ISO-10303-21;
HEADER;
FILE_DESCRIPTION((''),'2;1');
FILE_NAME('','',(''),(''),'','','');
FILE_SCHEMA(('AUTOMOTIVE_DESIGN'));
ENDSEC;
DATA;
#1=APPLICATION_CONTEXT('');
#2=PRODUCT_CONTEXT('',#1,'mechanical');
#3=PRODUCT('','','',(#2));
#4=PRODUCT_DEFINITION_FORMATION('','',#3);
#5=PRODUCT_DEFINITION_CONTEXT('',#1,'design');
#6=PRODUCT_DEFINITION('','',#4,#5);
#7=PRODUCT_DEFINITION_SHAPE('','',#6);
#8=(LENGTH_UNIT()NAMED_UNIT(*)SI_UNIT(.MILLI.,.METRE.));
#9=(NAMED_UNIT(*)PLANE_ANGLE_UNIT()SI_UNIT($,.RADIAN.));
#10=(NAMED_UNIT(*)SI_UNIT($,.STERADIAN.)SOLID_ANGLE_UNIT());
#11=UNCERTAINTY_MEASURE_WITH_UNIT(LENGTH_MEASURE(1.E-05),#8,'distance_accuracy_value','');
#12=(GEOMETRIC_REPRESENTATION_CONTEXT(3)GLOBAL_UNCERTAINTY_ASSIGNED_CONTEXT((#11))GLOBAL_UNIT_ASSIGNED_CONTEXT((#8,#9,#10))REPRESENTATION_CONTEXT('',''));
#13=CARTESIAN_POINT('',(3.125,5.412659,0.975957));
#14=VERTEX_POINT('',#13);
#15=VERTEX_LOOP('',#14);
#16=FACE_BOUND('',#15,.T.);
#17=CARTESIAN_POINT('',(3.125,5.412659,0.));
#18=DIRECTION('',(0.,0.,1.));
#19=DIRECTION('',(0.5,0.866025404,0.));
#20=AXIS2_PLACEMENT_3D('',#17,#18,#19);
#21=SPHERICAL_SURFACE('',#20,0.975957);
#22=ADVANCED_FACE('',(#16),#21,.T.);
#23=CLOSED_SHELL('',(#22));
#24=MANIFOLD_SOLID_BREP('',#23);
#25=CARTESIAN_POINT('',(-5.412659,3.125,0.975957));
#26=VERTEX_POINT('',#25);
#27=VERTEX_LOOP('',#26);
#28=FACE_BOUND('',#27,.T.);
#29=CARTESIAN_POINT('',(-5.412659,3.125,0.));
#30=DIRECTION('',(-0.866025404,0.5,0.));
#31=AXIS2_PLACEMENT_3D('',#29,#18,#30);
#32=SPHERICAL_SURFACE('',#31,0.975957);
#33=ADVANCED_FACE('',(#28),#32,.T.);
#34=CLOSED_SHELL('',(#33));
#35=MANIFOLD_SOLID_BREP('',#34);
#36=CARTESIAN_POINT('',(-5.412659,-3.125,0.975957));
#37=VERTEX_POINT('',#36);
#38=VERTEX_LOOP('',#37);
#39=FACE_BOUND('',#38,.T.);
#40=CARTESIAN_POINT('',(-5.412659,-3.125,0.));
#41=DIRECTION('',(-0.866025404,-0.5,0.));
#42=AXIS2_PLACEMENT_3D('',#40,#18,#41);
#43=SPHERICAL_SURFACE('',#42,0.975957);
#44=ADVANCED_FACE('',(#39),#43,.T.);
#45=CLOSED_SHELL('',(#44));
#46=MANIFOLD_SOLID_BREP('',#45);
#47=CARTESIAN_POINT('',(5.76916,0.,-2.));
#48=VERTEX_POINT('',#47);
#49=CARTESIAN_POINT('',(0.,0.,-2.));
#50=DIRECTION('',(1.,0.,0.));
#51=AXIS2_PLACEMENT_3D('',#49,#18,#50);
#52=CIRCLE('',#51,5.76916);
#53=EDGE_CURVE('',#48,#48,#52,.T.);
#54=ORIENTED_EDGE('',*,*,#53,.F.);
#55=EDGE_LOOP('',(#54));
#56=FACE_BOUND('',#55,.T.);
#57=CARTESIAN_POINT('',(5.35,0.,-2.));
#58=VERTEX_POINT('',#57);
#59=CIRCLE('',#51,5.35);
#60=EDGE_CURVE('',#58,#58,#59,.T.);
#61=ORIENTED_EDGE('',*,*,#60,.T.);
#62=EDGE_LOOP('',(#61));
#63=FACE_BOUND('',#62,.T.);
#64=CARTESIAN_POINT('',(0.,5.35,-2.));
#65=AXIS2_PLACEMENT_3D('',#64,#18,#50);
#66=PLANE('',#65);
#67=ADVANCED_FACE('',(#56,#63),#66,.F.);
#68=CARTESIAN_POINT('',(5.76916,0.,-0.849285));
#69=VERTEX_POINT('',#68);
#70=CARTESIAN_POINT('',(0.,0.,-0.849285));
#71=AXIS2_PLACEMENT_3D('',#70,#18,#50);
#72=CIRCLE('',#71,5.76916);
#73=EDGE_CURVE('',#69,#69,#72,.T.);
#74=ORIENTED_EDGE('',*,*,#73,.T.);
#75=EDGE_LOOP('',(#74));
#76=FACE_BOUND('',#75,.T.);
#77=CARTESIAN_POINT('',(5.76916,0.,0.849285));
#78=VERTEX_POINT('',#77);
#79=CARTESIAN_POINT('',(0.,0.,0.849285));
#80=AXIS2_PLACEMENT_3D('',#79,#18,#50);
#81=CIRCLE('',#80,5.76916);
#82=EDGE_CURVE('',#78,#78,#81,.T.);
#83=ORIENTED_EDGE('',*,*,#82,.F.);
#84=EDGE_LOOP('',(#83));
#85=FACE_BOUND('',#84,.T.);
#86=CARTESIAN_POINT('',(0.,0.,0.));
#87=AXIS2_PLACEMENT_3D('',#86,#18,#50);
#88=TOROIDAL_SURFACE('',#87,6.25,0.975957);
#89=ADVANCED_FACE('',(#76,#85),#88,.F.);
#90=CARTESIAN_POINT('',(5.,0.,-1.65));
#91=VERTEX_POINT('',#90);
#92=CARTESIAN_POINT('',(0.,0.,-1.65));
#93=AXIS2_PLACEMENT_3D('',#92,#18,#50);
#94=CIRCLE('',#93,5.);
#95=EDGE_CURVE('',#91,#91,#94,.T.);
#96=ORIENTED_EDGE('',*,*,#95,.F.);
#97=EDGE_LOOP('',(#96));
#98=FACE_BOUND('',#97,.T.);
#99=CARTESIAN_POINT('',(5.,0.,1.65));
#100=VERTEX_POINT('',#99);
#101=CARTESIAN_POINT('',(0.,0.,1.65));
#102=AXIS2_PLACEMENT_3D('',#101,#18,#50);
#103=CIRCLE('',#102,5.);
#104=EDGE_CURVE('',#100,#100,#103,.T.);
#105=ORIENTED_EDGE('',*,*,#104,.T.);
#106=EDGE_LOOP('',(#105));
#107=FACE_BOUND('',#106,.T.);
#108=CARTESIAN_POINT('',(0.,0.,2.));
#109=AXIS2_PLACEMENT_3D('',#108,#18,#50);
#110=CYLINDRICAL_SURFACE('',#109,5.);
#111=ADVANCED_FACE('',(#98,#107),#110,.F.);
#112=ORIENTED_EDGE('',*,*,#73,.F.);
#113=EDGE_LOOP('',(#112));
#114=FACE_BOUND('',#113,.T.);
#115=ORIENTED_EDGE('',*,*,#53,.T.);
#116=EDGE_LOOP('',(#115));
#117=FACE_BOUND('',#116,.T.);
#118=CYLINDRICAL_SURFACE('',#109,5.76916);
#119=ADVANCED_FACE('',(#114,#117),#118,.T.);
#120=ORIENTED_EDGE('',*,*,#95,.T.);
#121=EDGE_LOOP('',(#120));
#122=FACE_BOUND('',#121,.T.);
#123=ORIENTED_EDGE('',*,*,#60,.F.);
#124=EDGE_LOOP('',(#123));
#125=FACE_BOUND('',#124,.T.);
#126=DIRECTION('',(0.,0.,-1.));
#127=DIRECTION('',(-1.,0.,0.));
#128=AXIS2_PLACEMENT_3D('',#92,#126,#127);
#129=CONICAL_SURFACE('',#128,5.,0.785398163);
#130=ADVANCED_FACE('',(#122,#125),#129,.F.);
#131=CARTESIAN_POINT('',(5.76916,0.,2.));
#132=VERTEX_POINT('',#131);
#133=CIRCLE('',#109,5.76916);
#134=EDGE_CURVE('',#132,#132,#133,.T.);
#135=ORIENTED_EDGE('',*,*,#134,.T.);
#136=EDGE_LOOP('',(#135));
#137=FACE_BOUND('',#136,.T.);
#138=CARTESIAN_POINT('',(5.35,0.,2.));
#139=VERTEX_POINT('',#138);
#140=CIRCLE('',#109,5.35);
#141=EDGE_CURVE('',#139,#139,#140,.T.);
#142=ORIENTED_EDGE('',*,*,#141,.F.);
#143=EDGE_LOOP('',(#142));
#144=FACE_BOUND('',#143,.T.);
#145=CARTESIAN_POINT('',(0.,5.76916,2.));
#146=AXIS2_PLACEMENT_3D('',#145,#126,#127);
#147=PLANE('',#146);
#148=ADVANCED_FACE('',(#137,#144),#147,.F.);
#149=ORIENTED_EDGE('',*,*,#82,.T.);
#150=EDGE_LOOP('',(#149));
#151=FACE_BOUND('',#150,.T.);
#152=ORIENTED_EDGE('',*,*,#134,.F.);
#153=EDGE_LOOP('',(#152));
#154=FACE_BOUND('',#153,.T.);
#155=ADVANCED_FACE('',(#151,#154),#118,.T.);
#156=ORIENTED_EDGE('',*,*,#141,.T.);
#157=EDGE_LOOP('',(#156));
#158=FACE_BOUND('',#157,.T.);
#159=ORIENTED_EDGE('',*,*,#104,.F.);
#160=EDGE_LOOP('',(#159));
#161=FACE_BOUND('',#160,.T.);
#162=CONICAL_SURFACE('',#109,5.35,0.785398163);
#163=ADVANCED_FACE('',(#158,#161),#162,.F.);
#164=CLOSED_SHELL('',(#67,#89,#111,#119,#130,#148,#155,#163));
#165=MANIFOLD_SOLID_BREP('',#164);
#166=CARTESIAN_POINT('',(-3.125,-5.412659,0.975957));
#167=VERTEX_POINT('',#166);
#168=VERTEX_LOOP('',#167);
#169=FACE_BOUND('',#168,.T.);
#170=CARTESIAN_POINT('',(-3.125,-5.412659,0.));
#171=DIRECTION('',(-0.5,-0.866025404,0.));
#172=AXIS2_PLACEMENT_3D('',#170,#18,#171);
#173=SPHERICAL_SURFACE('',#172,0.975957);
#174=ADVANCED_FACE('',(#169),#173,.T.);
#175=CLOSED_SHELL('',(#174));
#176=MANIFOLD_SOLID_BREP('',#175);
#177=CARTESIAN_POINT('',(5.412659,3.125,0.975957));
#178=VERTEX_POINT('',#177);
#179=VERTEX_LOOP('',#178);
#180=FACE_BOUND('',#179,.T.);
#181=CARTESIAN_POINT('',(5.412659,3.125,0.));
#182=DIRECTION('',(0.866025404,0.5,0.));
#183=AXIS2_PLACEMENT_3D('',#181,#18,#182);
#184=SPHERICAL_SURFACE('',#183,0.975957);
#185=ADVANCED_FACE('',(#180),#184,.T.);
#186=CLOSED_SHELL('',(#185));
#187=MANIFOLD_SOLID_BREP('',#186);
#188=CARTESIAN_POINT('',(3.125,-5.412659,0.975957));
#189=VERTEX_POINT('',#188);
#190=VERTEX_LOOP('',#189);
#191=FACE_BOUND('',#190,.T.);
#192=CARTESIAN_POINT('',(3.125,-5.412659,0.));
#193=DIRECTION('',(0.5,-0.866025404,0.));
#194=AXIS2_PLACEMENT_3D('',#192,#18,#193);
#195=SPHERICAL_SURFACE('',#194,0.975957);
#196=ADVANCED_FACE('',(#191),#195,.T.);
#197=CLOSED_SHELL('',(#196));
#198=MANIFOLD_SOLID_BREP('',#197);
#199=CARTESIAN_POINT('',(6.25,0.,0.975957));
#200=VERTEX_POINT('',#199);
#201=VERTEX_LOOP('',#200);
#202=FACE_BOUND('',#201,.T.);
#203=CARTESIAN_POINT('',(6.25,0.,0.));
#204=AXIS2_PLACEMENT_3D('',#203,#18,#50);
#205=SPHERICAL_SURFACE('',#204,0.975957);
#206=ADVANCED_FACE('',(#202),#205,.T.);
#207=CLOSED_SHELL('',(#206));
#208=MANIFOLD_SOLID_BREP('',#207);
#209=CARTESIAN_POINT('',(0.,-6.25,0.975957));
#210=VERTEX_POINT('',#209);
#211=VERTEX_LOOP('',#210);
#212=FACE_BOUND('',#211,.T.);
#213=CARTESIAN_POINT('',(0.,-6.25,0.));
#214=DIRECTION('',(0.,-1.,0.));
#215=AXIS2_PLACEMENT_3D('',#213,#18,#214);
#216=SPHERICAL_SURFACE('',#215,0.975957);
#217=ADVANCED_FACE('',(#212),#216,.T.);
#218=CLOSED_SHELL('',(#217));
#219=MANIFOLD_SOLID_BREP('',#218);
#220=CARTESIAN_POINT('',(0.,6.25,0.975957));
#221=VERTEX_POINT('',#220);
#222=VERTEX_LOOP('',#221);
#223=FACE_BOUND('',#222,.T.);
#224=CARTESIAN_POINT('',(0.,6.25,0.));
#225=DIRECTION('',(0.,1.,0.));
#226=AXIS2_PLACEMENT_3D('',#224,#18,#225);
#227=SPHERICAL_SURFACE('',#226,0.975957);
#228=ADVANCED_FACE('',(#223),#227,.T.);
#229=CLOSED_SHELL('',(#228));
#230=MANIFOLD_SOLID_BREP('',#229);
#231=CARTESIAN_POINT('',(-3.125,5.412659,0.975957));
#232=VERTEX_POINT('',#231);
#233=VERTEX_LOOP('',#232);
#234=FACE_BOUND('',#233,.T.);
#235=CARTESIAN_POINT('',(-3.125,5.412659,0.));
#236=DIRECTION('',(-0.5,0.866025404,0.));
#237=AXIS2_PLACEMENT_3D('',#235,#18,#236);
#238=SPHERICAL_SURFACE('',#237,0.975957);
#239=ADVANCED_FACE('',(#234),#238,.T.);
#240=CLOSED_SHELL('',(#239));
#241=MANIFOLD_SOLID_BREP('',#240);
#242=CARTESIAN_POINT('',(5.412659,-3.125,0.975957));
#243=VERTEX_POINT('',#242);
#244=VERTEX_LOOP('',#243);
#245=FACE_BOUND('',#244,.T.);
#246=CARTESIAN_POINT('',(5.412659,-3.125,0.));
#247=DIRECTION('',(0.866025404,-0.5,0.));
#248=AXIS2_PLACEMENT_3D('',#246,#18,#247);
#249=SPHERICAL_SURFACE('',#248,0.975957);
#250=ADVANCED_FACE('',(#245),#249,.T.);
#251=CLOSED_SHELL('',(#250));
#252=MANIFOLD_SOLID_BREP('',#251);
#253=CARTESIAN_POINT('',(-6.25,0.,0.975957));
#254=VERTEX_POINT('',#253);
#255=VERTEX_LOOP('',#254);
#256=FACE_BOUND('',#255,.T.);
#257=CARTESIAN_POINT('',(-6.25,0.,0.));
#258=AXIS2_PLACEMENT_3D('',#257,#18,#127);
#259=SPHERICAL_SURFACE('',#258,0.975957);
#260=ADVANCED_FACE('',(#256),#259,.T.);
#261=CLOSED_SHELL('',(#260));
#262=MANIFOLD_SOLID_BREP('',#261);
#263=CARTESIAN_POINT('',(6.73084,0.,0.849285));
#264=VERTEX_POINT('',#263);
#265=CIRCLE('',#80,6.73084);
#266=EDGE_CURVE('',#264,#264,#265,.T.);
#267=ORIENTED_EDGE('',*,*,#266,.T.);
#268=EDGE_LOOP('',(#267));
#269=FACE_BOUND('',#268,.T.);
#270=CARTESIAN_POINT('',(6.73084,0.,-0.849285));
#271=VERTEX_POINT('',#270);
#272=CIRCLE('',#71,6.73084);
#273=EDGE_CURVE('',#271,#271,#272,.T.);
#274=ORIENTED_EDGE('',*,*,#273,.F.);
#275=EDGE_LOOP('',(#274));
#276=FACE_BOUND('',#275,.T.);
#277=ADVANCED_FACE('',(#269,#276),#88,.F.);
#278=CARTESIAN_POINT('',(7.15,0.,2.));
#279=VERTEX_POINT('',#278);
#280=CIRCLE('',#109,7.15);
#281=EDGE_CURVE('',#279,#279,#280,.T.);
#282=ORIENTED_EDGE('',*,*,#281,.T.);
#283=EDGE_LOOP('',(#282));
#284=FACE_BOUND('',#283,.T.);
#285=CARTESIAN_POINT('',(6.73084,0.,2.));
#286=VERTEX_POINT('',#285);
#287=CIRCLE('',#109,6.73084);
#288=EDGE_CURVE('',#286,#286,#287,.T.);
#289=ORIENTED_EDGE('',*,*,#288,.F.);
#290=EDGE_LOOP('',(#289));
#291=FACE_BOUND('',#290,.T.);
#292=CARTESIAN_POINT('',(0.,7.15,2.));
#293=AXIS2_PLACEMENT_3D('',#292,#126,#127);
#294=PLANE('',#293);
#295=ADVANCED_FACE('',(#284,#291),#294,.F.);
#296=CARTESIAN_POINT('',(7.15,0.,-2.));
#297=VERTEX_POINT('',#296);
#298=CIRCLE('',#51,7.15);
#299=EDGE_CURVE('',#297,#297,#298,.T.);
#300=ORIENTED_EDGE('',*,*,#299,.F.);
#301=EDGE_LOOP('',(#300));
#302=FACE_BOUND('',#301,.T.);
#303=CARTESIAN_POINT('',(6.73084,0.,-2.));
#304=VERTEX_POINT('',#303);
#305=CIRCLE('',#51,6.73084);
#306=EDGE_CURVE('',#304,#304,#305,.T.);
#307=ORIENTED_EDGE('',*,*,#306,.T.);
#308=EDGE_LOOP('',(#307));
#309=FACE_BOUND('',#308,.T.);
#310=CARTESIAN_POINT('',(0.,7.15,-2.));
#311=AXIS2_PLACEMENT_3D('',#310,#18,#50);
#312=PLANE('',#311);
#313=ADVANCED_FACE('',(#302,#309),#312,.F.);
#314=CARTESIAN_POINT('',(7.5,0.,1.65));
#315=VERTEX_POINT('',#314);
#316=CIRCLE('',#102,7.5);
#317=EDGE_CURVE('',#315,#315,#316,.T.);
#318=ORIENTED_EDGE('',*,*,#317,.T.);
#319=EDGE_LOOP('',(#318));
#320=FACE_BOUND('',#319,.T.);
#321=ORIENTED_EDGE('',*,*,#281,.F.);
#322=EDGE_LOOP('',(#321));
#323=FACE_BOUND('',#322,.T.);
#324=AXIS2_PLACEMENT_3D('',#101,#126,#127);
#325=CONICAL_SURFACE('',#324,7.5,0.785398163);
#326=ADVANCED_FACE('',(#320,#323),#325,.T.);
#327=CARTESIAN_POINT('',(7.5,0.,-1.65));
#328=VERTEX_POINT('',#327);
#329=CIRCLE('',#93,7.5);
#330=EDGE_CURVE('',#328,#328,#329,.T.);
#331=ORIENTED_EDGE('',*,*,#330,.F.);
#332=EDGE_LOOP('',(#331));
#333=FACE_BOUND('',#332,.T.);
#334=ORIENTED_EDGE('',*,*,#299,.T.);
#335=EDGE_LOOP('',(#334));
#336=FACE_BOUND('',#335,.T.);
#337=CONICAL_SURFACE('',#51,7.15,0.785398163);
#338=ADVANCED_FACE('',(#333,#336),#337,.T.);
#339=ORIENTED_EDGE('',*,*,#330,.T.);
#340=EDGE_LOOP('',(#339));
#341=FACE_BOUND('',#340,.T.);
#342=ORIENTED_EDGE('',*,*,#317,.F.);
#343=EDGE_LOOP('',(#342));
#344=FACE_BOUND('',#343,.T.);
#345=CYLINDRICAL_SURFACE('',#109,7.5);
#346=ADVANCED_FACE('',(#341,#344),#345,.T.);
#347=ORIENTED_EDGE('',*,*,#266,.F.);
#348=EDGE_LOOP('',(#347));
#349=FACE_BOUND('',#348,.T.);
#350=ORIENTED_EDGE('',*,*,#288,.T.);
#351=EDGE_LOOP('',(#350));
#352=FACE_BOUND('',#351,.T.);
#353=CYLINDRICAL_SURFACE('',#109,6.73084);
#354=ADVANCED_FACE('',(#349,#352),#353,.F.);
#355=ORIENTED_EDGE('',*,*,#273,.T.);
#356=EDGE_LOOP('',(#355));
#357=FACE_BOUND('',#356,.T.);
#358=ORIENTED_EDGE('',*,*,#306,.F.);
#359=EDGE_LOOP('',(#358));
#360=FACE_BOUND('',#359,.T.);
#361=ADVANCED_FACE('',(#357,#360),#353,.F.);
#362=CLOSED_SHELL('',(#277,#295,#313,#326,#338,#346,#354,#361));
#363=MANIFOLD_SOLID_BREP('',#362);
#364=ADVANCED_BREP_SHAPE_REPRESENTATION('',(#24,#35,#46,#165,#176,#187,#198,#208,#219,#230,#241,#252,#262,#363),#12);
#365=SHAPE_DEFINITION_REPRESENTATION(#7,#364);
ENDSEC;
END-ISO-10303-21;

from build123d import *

# Parameters (mm, degrees)
CIRPATTERN1_COUNT = 12


with BuildPart() as part:
    # Sketch1 → Revolve1 (revolve)
    with BuildSketch(Plane(origin=(0, 0, 0), x_dir=(0, 0, -1), z_dir=(1, 0, 0))):
        with BuildLine():
            Line((1.65, 7.5), (-1.65, 7.5))
            Line((-1.65, 7.5), (-2, 7.15))
            Line((-2, 7.15), (-2, 6.73083963))
            Line((-2, 6.73083963), (-0.849284709, 6.73083963))
            ThreePointArc((-0.849284709, 6.73083963), (0, 7.225956591), (0.849284709, 6.73083963))
            Line((0.849284709, 6.73083963), (2, 6.73083963))
            Line((2, 6.73083963), (2, 7.15))
            Line((2, 7.15), (1.65, 7.5))
        make_face()
    revolve(axis=Axis((0, 0, 2), (0, 0, -1)))


with BuildPart() as body_2:
    # Sketch3 → Revolve3 (revolve)
    with BuildSketch(Plane(origin=(0, 0, 0), x_dir=(0, 0, -1), z_dir=(1, 0, 0))):
        with BuildLine():
            Line((-2, 5.76916037), (-0.849284709, 5.76916037))
            ThreePointArc((-0.849284709, 5.76916037), (0, 5.274043409), (0.849284709, 5.76916037))
            Line((0.849284709, 5.76916037), (2, 5.76916037))
            Line((2, 5.76916037), (2, 5.35))
            Line((2, 5.35), (1.65, 5))
            Line((1.65, 5), (-1.65, 5))
            Line((-1.65, 5), (-2, 5.35))
            Line((-2, 5.35), (-2, 5.76916037))
        make_face()
    revolve(axis=Axis((0, 0, 2), (0, 0, -1)))


with BuildPart() as body_3:
    # Sketch4 → Revolve4 (revolve)
    with BuildSketch(Plane(origin=(0, 0, 0), x_dir=(0, 0, -1), z_dir=(1, 0, 0))):
        with BuildLine():
            Line((-0.975956591, 6.25), (0.975956591, 6.25))
            ThreePointArc((0.975956591, 6.25), (0, 7.225956591), (-0.975956591, 6.25))
        make_face()
    revolve(axis=Axis((0, 6.25, 0.975956591), (0, 0, -1)))


with BuildPart() as cirpattern1_1:
    # CirPattern1: pattern copy
    add(body_3.part.rotate(Axis((0, 0, -2), (0, 0, 1)), 1 * 360 / CIRPATTERN1_COUNT))


with BuildPart() as cirpattern1_2:
    # CirPattern1: pattern copy
    add(body_3.part.rotate(Axis((0, 0, -2), (0, 0, 1)), 2 * 360 / CIRPATTERN1_COUNT))


with BuildPart() as cirpattern1_3:
    # CirPattern1: pattern copy
    add(body_3.part.rotate(Axis((0, 0, -2), (0, 0, 1)), 3 * 360 / CIRPATTERN1_COUNT))


with BuildPart() as cirpattern1_4:
    # CirPattern1: pattern copy
    add(body_3.part.rotate(Axis((0, 0, -2), (0, 0, 1)), 4 * 360 / CIRPATTERN1_COUNT))


with BuildPart() as cirpattern1_5:
    # CirPattern1: pattern copy
    add(body_3.part.rotate(Axis((0, 0, -2), (0, 0, 1)), 5 * 360 / CIRPATTERN1_COUNT))


with BuildPart() as cirpattern1_6:
    # CirPattern1: pattern copy
    add(body_3.part.rotate(Axis((0, 0, -2), (0, 0, 1)), 6 * 360 / CIRPATTERN1_COUNT))


with BuildPart() as cirpattern1_7:
    # CirPattern1: pattern copy
    add(body_3.part.rotate(Axis((0, 0, -2), (0, 0, 1)), 7 * 360 / CIRPATTERN1_COUNT))


with BuildPart() as cirpattern1_8:
    # CirPattern1: pattern copy
    add(body_3.part.rotate(Axis((0, 0, -2), (0, 0, 1)), 8 * 360 / CIRPATTERN1_COUNT))


with BuildPart() as cirpattern1_9:
    # CirPattern1: pattern copy
    add(body_3.part.rotate(Axis((0, 0, -2), (0, 0, 1)), 9 * 360 / CIRPATTERN1_COUNT))


with BuildPart() as cirpattern1_10:
    # CirPattern1: pattern copy
    add(body_3.part.rotate(Axis((0, 0, -2), (0, 0, 1)), 10 * 360 / CIRPATTERN1_COUNT))


with BuildPart() as cirpattern1_11:
    # CirPattern1: pattern copy
    add(body_3.part.rotate(Axis((0, 0, -2), (0, 0, 1)), 11 * 360 / CIRPATTERN1_COUNT))


solid = Compound([part.part, body_2.part, body_3.part, cirpattern1_1.part, cirpattern1_2.part, cirpattern1_3.part, cirpattern1_4.part, cirpattern1_5.part, cirpattern1_6.part, cirpattern1_7.part, cirpattern1_8.part, cirpattern1_9.part, cirpattern1_10.part, cirpattern1_11.part])
